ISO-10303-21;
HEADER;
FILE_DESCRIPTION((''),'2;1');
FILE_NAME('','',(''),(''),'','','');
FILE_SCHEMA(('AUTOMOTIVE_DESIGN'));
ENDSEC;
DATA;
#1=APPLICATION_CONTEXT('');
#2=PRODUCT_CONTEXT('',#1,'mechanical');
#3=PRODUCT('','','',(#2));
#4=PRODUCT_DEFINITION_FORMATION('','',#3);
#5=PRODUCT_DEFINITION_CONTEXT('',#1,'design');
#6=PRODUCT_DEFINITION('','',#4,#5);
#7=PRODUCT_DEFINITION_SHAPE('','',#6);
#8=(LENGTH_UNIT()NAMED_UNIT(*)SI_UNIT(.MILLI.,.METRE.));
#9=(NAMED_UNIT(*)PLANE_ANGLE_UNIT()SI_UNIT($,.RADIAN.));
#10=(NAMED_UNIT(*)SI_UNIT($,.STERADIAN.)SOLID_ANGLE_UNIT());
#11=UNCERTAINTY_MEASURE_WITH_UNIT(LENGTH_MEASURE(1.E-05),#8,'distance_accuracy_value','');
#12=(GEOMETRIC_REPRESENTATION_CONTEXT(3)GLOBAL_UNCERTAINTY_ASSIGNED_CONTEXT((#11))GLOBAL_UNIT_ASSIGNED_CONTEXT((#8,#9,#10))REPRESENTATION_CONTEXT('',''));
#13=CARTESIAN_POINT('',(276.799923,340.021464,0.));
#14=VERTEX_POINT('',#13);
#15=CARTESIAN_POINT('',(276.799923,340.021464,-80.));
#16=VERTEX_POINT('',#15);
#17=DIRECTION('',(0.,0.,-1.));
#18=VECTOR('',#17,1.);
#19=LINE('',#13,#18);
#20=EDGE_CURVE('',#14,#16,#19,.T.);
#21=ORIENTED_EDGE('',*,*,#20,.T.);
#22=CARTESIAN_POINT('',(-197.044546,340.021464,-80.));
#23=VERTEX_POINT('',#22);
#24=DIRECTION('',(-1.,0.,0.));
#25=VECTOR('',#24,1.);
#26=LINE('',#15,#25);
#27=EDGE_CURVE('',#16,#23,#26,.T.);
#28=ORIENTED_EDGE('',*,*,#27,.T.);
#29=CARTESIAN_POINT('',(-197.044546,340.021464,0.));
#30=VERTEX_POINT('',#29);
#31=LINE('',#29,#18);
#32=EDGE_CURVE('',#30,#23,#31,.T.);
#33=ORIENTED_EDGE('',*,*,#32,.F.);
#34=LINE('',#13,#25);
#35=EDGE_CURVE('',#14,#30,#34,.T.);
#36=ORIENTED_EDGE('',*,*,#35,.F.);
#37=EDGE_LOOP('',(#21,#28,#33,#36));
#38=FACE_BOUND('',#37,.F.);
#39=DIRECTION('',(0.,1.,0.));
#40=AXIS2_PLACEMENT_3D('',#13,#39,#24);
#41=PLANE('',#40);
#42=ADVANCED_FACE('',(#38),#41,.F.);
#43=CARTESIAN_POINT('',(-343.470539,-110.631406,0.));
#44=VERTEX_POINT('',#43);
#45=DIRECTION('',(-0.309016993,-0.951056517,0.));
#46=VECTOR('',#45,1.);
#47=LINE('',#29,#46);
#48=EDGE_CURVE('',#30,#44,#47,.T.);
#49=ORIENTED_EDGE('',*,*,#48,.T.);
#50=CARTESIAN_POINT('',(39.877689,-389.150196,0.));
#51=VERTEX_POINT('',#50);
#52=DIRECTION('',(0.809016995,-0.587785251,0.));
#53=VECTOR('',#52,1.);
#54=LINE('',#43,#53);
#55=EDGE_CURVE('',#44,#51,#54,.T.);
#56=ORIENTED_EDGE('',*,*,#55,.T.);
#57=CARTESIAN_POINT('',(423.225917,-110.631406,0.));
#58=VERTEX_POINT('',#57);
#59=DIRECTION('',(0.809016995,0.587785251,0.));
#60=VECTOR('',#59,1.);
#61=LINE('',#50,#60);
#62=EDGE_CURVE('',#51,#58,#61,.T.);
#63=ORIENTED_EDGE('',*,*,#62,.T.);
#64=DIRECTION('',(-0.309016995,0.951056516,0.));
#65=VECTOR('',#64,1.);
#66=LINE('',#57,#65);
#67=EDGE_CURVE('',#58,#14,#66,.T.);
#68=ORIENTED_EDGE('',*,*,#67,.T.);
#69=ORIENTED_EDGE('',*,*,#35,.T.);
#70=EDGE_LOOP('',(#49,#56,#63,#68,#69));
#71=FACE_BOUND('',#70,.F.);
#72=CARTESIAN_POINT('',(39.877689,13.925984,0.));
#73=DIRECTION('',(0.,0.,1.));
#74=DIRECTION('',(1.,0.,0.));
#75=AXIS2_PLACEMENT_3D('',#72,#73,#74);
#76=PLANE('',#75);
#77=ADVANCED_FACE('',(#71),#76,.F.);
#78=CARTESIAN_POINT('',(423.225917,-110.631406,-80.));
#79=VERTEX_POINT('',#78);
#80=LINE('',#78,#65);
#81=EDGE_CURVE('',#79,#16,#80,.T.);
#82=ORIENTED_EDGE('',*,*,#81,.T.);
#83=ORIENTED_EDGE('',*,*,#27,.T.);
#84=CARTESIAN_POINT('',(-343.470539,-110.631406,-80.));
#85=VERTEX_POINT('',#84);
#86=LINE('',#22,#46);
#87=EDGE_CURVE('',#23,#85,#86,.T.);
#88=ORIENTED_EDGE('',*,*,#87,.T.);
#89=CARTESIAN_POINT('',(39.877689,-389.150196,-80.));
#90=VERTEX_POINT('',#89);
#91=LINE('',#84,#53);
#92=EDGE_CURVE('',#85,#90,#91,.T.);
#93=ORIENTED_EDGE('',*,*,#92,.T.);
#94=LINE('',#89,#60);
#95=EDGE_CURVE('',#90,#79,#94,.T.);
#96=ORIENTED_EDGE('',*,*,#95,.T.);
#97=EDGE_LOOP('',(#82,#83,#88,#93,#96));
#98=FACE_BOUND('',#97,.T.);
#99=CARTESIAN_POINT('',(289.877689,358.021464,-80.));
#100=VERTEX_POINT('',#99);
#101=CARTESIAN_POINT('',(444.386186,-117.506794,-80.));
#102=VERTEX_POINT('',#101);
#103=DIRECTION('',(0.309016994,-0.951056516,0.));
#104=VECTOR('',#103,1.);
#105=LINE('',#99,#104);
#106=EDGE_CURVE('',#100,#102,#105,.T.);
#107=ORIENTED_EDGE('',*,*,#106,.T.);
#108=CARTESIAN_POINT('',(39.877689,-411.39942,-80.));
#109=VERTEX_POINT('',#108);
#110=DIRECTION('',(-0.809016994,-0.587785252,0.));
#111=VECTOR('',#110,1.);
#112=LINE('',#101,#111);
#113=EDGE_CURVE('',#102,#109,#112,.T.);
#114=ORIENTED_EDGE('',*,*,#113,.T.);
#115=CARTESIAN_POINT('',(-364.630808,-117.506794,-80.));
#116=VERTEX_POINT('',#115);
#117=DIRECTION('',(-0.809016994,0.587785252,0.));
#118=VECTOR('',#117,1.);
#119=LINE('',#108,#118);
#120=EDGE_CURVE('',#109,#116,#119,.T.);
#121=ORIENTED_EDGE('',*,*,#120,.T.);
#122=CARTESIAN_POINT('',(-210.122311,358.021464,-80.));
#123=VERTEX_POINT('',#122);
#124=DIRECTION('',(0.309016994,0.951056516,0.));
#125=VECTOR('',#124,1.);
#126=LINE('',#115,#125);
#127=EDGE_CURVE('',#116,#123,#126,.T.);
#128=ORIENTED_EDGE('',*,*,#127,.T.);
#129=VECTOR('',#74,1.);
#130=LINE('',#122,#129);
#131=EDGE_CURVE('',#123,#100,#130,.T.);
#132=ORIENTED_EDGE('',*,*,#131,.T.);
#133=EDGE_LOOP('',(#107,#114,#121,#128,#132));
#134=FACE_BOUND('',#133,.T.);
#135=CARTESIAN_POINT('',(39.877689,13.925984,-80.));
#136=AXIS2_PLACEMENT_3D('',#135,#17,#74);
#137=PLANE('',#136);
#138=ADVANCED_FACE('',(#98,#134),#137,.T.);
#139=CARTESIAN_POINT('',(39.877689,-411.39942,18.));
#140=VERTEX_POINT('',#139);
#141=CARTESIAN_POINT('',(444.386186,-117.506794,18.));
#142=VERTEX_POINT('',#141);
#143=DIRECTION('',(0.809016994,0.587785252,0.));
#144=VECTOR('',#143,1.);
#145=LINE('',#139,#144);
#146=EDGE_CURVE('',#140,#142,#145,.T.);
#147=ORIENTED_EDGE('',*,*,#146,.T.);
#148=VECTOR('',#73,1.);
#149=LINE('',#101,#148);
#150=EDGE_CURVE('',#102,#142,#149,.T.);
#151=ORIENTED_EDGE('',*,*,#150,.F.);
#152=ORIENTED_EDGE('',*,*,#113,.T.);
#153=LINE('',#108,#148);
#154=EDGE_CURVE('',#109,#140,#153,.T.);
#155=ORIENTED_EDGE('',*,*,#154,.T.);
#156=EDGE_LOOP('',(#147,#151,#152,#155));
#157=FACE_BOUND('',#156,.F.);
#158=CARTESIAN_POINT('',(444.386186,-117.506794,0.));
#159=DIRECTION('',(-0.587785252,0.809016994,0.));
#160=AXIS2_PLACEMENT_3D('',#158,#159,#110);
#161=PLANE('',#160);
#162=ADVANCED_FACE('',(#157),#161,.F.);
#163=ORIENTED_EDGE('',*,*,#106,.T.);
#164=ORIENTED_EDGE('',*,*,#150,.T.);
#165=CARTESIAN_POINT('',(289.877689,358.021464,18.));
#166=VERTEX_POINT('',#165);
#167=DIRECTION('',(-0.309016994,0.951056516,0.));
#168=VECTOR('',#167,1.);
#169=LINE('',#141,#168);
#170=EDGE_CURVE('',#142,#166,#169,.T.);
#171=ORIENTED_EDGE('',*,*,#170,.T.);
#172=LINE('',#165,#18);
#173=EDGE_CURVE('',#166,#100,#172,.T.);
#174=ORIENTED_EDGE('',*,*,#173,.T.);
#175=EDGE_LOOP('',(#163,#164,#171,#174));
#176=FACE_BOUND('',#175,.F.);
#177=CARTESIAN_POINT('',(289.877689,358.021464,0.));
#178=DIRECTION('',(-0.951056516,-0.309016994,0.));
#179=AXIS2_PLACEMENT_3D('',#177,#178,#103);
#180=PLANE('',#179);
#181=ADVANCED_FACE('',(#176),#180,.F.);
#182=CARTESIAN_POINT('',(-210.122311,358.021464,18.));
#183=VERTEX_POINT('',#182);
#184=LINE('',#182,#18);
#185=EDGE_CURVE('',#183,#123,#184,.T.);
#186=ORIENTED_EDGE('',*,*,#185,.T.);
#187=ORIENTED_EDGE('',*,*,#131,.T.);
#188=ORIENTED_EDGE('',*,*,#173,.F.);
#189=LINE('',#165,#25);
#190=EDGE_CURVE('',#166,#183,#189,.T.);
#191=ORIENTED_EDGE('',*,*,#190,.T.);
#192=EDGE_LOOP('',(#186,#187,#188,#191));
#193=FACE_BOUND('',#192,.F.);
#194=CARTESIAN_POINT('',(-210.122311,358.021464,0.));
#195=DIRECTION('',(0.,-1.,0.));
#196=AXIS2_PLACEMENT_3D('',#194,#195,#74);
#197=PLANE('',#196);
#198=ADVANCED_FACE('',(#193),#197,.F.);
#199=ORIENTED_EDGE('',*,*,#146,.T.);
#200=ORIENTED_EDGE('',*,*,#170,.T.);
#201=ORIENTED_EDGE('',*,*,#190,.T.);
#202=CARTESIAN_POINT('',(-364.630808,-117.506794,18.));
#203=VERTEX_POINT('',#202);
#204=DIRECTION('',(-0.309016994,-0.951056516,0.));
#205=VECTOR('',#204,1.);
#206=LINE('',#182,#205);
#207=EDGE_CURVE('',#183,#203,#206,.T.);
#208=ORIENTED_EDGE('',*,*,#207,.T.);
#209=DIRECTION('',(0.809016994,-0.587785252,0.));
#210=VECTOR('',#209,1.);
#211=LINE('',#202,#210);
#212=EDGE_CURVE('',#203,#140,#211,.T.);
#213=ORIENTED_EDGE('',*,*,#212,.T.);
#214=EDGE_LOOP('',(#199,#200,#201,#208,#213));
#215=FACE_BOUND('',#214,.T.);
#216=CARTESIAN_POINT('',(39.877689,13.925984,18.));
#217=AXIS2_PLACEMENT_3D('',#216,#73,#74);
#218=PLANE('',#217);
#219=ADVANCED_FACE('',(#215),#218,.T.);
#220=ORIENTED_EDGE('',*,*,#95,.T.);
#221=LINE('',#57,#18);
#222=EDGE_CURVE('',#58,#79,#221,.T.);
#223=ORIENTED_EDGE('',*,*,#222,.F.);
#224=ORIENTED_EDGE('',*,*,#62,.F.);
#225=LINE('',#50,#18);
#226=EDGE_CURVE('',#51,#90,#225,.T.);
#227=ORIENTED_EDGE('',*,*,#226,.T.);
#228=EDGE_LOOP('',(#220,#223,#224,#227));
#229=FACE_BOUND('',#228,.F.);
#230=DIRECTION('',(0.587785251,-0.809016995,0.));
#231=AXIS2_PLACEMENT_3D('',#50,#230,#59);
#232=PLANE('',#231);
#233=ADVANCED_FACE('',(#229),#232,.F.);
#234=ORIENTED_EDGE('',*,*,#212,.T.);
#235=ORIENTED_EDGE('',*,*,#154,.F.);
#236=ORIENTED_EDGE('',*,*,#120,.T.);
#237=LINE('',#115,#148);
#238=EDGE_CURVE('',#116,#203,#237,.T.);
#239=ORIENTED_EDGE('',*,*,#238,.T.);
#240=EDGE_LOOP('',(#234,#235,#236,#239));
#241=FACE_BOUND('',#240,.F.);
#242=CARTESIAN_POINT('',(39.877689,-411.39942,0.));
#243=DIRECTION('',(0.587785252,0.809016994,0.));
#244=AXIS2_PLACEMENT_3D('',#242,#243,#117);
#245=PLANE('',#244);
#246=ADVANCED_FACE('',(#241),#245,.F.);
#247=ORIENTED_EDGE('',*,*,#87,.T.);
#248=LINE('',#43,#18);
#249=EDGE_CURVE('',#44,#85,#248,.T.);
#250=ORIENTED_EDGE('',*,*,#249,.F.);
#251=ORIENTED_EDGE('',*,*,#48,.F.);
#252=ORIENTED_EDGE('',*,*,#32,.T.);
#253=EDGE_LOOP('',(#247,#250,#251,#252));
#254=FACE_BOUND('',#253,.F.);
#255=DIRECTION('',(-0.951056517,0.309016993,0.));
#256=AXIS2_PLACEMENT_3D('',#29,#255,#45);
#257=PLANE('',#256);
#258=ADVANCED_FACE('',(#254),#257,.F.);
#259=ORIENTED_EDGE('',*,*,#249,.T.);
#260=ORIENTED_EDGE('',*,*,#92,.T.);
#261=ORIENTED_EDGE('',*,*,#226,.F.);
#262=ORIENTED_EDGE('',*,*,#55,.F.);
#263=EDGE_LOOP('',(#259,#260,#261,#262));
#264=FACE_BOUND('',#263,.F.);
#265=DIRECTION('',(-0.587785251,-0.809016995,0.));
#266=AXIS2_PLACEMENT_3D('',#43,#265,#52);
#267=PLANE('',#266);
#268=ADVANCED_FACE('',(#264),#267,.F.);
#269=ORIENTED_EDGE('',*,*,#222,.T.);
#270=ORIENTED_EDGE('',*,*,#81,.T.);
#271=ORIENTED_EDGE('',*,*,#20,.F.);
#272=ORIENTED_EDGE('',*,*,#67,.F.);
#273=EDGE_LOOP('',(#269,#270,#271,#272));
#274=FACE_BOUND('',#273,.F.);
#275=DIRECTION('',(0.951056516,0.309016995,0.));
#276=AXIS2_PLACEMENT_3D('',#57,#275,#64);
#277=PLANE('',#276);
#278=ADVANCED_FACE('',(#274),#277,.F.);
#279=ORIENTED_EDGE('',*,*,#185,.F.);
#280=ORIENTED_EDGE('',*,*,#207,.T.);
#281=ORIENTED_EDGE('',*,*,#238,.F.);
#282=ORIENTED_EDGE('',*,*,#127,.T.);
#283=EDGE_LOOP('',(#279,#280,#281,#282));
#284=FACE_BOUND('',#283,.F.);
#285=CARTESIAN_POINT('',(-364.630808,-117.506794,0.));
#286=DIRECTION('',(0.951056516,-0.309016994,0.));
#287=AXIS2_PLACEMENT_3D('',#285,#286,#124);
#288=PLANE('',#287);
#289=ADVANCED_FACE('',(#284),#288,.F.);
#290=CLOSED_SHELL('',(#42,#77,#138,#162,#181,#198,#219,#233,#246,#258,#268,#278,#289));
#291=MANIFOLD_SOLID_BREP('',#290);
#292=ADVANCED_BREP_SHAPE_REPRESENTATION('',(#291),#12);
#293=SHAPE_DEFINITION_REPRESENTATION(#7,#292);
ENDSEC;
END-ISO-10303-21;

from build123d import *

# Parameters (mm, degrees)
F1_DEPTH = 18
F3_DEPTH = 80


with BuildPart() as f1:
    # F0 (on Top) → F1 (new body)
    with BuildSketch(Plane.XY):
        Polygon((444.386186, -117.506794), (289.877689, 358.021464), (-210.122311, 358.021464), (-364.630808, -117.506794), (39.877689, -411.39942), align=None)
    extrude(amount=F1_DEPTH)

    # F2 (on face) → F3 (join)
    with BuildSketch(Plane(origin=(0, 0, 0), x_dir=(1, 0, 0), z_dir=(0, 0, -1))):
        Polygon((-364.630808, 117.506794), (-210.122311, -358.021464), (289.877689, -358.021464), (444.386186, 117.506794), (39.877689, 411.39942), align=None)
        Polygon((276.799923, -340.021464), (-197.044546, -340.021464), (-343.470539, 110.631406), (39.877689, 389.150196), (423.225917, 110.631406), align=None, mode=Mode.SUBTRACT)
    extrude(amount=F3_DEPTH)


solid = f1.part
